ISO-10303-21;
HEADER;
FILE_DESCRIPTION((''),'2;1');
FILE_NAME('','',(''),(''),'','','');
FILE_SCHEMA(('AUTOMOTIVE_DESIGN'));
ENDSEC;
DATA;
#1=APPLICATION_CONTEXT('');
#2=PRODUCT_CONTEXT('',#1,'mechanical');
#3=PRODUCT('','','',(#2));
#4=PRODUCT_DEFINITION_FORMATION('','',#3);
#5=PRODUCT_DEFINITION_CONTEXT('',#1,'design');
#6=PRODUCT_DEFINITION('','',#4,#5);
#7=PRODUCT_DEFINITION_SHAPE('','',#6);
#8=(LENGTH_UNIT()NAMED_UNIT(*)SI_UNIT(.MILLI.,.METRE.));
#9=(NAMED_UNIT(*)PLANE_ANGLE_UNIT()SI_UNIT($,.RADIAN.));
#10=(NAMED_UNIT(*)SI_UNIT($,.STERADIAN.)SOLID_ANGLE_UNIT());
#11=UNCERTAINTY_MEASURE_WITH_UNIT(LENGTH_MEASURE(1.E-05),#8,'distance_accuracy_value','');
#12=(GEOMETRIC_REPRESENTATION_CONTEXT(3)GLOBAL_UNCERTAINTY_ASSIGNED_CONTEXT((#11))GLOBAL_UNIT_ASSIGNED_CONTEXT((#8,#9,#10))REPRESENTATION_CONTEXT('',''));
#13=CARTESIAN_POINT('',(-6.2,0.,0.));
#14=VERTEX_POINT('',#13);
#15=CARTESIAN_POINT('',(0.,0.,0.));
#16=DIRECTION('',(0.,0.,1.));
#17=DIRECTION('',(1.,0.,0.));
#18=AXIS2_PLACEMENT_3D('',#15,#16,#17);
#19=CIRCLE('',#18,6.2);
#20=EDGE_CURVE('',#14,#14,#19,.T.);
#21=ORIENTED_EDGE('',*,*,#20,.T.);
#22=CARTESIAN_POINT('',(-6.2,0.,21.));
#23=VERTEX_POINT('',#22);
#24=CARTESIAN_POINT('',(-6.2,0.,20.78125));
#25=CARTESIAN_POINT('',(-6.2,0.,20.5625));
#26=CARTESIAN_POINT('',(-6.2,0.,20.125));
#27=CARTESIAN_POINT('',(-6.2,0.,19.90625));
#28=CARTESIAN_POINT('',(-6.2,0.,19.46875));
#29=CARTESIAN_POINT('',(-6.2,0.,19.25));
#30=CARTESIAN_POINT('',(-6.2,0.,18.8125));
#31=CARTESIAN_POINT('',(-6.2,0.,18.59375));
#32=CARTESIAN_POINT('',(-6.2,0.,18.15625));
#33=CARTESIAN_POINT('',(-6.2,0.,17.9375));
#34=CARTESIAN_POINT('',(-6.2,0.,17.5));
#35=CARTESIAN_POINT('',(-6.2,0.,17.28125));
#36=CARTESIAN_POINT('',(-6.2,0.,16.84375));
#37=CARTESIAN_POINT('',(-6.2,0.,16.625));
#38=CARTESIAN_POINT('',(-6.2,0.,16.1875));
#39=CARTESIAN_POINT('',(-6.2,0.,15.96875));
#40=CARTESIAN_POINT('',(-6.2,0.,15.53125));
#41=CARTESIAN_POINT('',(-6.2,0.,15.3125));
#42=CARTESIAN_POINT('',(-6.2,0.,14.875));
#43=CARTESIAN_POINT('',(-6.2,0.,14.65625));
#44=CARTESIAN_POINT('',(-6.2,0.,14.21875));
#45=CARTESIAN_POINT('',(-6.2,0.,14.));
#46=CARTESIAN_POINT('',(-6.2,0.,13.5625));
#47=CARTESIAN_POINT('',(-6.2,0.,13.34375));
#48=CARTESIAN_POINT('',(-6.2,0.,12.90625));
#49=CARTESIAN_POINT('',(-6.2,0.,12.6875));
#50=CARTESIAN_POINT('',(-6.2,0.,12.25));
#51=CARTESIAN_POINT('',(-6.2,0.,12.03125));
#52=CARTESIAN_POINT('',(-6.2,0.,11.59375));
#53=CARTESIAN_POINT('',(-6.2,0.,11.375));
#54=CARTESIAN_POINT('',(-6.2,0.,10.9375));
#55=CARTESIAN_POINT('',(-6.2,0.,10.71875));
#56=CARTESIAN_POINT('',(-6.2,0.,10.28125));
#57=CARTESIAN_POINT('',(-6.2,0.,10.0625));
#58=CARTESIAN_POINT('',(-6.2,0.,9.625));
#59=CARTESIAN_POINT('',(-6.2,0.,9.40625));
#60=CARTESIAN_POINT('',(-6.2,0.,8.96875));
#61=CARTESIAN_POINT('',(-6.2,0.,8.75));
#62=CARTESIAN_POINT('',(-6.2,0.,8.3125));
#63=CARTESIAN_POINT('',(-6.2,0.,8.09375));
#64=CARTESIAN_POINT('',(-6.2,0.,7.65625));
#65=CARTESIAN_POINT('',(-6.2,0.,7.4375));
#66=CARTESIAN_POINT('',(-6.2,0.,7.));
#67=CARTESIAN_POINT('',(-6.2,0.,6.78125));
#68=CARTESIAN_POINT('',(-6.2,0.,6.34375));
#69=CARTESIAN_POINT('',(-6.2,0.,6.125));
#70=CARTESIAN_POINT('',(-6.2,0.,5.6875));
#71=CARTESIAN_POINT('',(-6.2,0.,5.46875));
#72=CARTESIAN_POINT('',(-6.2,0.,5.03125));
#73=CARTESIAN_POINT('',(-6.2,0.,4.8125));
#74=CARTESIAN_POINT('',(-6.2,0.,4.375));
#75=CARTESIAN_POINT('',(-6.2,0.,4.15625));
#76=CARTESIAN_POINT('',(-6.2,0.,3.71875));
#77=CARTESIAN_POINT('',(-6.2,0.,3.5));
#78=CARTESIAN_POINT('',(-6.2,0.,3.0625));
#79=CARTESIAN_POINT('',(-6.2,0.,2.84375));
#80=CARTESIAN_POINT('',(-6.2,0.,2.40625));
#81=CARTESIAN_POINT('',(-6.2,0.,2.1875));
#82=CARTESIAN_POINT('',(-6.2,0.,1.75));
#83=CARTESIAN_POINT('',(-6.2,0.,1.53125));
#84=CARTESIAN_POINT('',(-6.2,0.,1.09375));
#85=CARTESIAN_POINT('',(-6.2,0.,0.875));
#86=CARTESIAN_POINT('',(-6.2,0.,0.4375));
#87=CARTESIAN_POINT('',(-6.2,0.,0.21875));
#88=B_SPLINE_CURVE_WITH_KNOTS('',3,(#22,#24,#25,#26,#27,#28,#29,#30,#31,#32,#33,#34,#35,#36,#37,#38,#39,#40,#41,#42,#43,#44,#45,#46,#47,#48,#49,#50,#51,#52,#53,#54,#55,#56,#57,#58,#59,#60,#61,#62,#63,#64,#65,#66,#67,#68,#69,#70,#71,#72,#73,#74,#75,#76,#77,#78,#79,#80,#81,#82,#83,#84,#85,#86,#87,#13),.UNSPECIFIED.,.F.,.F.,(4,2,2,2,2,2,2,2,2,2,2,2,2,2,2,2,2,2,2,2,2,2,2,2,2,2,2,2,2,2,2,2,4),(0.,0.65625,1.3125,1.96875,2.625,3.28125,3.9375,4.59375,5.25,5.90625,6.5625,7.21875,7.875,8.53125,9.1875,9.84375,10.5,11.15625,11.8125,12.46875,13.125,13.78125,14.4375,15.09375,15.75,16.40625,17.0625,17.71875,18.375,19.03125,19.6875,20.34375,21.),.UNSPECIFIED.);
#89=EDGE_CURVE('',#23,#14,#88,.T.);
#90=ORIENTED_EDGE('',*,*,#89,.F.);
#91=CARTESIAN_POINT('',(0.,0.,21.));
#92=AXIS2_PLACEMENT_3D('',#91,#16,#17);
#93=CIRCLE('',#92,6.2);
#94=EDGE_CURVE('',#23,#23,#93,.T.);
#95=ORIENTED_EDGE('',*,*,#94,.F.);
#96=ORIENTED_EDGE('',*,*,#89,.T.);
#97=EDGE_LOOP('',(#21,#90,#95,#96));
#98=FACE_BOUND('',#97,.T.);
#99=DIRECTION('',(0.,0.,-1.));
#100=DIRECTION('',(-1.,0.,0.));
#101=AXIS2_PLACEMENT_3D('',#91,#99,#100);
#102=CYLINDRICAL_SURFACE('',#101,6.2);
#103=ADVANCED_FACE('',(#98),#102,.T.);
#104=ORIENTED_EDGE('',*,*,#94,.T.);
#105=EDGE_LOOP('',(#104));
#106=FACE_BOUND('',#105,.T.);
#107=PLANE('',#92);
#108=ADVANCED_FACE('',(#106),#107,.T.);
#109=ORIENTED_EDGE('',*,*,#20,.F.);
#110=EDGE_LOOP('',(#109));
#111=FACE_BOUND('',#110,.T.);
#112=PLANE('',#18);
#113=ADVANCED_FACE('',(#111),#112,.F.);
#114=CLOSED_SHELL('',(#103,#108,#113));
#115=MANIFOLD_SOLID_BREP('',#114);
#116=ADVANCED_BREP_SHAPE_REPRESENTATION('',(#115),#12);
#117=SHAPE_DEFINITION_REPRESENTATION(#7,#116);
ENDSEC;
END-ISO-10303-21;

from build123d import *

# Parameters (mm, degrees)
SKETCH1_R      = 6.2
ENVELOPE_DEPTH = 21


with BuildPart() as part:
    # Sketch1 → Envelope (new body)
    with BuildSketch(Plane.XY):
        with Locations(Location((0, 0, 0), (0, 0, 180))):
            Circle(SKETCH1_R)
    extrude(amount=ENVELOPE_DEPTH)


solid = part.part
